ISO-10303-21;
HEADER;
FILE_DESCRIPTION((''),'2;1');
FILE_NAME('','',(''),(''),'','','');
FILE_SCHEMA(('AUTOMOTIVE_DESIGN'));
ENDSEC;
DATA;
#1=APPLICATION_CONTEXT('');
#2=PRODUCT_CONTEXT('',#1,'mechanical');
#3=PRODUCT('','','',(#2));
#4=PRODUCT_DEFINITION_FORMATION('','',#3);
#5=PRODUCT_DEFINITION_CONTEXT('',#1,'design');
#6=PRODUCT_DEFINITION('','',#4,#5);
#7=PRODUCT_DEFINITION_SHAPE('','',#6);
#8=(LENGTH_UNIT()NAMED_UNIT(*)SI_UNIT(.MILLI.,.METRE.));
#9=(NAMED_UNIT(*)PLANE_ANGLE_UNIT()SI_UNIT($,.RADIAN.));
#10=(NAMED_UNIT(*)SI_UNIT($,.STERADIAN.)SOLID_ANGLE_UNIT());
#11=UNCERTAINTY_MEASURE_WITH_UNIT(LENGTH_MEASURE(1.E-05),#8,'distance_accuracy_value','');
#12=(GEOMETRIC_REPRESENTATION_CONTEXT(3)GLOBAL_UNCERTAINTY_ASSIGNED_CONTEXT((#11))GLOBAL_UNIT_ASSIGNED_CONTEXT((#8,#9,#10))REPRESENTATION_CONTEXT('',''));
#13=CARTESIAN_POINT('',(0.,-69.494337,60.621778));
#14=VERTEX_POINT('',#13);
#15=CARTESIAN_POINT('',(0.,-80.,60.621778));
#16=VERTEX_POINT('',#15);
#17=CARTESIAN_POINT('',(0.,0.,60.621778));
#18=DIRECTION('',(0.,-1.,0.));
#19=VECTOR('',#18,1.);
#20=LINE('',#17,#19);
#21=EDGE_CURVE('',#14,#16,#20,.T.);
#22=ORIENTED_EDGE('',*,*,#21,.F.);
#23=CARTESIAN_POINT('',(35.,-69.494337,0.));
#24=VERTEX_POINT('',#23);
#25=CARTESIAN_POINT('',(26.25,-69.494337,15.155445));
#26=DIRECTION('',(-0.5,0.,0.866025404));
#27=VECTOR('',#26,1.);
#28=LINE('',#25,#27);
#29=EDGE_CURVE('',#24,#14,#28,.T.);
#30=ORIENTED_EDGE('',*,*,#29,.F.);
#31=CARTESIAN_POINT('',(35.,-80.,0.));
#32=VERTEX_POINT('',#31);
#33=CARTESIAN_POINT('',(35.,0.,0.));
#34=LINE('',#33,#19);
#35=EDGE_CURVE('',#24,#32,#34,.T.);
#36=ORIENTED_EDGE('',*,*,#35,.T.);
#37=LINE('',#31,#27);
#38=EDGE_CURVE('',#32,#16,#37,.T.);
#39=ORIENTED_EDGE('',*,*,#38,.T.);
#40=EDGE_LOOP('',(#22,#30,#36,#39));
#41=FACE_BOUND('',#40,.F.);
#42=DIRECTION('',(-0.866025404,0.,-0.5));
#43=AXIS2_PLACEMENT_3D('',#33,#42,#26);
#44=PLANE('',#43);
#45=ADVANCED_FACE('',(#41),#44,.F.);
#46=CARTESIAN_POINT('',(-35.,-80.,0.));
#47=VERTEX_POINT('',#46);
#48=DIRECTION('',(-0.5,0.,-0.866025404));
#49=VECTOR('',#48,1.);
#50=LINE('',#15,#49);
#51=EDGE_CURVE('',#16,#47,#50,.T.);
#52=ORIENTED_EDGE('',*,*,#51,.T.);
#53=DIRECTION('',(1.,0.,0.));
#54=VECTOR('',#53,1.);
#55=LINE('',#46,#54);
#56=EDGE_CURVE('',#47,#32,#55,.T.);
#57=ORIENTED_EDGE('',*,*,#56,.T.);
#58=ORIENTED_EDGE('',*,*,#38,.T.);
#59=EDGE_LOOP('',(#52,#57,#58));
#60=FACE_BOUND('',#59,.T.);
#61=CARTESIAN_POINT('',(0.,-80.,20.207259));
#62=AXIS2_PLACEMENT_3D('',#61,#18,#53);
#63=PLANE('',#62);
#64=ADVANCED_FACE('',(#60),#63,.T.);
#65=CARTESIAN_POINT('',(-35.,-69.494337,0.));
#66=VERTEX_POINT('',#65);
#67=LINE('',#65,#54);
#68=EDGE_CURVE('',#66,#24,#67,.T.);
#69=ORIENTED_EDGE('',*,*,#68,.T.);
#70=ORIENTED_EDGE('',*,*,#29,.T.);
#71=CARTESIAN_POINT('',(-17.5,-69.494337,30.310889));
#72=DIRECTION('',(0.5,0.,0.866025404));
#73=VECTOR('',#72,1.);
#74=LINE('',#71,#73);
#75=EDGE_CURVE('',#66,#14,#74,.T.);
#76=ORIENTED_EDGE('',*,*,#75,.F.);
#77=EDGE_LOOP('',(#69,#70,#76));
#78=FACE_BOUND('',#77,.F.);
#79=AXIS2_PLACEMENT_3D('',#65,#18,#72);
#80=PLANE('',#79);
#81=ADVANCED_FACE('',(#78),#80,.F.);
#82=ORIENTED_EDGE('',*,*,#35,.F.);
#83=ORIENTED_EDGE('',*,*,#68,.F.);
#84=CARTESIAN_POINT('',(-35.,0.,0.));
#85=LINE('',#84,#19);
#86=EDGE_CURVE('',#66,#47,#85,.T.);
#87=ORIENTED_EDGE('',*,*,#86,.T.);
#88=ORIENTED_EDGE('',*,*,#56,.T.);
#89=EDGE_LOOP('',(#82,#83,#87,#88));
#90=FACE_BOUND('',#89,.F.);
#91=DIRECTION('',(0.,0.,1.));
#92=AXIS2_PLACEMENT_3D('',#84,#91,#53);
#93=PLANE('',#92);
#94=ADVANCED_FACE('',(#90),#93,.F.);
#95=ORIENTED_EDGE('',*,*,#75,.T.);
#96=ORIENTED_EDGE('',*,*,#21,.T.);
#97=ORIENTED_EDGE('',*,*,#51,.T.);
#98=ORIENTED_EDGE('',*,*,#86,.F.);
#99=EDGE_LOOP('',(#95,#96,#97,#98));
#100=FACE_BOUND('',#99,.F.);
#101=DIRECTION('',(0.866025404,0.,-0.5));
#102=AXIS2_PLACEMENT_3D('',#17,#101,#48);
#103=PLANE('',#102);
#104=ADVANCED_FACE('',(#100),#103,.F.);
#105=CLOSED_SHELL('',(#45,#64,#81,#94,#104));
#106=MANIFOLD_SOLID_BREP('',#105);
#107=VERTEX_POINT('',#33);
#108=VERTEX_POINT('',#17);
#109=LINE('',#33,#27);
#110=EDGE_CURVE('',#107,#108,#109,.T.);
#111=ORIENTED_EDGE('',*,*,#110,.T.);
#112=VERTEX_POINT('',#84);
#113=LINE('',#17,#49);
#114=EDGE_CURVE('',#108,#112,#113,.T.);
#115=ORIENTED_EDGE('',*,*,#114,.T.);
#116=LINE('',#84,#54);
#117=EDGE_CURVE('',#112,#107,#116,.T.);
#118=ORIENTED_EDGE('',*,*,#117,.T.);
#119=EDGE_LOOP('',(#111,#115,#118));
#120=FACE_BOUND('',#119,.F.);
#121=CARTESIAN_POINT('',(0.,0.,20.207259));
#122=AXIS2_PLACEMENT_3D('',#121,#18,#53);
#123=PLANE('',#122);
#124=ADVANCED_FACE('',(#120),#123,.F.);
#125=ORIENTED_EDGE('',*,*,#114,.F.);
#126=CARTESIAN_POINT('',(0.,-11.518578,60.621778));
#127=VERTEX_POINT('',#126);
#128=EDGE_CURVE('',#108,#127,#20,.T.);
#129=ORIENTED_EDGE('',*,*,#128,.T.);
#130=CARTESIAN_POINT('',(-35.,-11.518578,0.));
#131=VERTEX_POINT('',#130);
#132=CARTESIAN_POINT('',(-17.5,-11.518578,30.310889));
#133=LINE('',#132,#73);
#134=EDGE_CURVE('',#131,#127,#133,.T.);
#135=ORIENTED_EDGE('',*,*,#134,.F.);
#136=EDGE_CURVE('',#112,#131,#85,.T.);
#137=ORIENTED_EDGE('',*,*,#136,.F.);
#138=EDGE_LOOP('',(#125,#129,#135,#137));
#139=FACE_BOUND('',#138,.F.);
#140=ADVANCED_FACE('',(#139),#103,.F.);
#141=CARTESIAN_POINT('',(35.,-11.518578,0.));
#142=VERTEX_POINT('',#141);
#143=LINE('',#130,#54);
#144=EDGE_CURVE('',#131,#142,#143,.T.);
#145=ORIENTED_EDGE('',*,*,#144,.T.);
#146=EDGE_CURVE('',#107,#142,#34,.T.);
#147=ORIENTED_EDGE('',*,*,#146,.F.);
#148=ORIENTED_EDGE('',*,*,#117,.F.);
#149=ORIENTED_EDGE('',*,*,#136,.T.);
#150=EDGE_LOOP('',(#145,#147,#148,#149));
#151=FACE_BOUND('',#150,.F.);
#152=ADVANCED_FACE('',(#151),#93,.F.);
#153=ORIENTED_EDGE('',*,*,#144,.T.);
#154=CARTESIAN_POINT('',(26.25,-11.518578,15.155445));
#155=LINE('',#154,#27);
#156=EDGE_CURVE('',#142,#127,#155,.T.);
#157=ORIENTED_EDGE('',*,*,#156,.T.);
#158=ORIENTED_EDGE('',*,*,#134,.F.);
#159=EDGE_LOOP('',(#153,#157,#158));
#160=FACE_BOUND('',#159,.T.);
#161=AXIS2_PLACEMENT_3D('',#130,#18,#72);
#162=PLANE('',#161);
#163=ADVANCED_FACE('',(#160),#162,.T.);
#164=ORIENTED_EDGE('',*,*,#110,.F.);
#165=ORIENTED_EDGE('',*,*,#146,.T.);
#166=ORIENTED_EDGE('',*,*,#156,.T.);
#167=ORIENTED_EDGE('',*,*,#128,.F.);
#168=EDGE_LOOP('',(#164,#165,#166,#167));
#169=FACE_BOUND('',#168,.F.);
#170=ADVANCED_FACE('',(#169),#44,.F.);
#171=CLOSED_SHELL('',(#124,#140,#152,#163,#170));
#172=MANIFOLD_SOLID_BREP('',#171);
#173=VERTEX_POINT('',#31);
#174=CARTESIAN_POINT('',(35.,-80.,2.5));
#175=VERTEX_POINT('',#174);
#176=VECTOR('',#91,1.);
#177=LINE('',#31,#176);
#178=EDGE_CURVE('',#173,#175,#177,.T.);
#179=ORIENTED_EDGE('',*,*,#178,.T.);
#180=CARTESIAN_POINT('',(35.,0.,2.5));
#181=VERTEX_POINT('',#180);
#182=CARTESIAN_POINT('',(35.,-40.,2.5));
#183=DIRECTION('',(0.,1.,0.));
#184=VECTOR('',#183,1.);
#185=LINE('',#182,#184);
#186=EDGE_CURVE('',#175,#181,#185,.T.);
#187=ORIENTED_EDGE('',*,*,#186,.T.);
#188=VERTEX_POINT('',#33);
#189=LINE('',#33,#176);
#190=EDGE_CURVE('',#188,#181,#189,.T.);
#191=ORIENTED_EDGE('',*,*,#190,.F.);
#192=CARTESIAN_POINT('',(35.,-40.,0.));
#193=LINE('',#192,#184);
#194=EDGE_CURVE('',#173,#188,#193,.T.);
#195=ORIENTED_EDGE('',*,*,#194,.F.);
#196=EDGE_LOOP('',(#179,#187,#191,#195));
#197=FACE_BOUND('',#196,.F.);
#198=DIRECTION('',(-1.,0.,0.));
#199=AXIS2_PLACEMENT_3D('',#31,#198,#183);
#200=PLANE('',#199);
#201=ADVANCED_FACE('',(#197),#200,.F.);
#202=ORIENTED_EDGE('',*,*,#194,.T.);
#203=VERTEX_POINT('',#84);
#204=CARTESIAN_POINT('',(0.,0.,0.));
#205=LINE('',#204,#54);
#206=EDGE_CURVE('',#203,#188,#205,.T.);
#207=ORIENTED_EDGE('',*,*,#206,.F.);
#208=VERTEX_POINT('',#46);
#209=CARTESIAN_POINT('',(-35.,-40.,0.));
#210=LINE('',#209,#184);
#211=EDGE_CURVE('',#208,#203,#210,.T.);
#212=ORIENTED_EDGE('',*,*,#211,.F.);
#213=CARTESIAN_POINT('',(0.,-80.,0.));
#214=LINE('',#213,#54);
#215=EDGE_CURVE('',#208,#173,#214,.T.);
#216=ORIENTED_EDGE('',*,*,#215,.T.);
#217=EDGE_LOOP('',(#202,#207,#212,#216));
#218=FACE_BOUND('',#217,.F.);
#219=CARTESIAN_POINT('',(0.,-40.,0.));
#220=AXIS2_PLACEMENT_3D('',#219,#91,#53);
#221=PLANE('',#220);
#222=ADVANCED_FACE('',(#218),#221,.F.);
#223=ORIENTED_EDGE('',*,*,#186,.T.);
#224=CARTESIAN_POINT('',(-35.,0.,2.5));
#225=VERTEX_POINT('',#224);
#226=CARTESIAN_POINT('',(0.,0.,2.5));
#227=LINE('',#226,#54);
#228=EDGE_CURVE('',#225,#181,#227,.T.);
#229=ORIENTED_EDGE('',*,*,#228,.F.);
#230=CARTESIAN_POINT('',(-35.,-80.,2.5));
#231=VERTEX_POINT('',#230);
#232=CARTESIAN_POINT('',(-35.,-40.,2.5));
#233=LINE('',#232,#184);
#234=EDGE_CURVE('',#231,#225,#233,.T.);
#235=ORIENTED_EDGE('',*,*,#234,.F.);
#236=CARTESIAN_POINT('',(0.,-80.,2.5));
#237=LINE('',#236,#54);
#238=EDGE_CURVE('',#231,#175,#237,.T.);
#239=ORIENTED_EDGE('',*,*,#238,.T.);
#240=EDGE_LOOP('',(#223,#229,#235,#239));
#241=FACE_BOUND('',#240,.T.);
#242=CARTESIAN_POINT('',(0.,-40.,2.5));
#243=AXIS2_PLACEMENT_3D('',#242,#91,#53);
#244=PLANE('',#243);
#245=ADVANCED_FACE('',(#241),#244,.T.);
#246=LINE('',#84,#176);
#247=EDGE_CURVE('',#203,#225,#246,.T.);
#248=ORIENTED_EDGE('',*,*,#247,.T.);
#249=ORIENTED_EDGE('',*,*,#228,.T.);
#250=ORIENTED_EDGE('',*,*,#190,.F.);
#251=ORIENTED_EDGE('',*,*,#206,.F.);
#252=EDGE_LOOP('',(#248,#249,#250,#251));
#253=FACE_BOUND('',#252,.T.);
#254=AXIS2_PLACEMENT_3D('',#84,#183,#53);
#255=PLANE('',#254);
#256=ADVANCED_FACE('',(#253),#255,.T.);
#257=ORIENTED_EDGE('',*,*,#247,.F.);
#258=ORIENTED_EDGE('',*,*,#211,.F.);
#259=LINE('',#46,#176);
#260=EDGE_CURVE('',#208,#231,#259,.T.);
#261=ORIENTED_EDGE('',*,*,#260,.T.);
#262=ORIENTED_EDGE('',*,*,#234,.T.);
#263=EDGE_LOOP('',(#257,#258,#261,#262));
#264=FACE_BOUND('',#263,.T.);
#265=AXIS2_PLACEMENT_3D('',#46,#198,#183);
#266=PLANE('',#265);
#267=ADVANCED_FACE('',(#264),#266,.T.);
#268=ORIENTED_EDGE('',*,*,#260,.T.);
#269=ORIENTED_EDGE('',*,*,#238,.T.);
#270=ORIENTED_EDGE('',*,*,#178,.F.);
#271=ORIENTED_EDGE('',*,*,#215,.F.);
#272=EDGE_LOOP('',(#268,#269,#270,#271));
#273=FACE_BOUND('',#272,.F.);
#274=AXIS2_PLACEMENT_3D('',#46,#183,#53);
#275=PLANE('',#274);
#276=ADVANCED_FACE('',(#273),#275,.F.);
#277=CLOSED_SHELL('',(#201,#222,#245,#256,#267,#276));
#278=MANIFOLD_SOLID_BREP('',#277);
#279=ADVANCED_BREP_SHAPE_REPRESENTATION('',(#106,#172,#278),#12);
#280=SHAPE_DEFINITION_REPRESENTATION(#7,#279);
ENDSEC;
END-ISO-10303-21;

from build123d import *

# Parameters (mm, degrees)
F1_DEPTH = 80
F2_W     = 57.9757587984
F2_H     = 70
F3_DEPTH = 100
F4_W     = 70
F4_H     = 80
F5_DEPTH = 2.5


with BuildPart() as f1:
    # F0 (on Front) → F1 (new body)
    with BuildSketch(Plane.XZ):
        Polygon((35, 0), (0, 60.6217782649), (-35, 0), align=None)
    extrude(amount=F1_DEPTH)

    # F2 (on face) → F3 (cut)
    with BuildSketch(Plane(origin=(-26.25, 0, 15.1554445662), x_dir=(0, -1, 0), z_dir=(-0.8660254038, 0, 0.5))):
        with Locations((40.5064574443, 17.5)):
            Rectangle(F2_W, F2_H)
    extrude(amount=-F3_DEPTH, mode=Mode.SUBTRACT)


with BuildPart() as f5:
    # F4 (on Top) → F5 (new body)
    with BuildSketch(Plane.XY):
        with Locations((0, -40)):
            Rectangle(F4_W, F4_H)
    extrude(amount=F5_DEPTH)


solid = Compound([f1.part, f5.part])
